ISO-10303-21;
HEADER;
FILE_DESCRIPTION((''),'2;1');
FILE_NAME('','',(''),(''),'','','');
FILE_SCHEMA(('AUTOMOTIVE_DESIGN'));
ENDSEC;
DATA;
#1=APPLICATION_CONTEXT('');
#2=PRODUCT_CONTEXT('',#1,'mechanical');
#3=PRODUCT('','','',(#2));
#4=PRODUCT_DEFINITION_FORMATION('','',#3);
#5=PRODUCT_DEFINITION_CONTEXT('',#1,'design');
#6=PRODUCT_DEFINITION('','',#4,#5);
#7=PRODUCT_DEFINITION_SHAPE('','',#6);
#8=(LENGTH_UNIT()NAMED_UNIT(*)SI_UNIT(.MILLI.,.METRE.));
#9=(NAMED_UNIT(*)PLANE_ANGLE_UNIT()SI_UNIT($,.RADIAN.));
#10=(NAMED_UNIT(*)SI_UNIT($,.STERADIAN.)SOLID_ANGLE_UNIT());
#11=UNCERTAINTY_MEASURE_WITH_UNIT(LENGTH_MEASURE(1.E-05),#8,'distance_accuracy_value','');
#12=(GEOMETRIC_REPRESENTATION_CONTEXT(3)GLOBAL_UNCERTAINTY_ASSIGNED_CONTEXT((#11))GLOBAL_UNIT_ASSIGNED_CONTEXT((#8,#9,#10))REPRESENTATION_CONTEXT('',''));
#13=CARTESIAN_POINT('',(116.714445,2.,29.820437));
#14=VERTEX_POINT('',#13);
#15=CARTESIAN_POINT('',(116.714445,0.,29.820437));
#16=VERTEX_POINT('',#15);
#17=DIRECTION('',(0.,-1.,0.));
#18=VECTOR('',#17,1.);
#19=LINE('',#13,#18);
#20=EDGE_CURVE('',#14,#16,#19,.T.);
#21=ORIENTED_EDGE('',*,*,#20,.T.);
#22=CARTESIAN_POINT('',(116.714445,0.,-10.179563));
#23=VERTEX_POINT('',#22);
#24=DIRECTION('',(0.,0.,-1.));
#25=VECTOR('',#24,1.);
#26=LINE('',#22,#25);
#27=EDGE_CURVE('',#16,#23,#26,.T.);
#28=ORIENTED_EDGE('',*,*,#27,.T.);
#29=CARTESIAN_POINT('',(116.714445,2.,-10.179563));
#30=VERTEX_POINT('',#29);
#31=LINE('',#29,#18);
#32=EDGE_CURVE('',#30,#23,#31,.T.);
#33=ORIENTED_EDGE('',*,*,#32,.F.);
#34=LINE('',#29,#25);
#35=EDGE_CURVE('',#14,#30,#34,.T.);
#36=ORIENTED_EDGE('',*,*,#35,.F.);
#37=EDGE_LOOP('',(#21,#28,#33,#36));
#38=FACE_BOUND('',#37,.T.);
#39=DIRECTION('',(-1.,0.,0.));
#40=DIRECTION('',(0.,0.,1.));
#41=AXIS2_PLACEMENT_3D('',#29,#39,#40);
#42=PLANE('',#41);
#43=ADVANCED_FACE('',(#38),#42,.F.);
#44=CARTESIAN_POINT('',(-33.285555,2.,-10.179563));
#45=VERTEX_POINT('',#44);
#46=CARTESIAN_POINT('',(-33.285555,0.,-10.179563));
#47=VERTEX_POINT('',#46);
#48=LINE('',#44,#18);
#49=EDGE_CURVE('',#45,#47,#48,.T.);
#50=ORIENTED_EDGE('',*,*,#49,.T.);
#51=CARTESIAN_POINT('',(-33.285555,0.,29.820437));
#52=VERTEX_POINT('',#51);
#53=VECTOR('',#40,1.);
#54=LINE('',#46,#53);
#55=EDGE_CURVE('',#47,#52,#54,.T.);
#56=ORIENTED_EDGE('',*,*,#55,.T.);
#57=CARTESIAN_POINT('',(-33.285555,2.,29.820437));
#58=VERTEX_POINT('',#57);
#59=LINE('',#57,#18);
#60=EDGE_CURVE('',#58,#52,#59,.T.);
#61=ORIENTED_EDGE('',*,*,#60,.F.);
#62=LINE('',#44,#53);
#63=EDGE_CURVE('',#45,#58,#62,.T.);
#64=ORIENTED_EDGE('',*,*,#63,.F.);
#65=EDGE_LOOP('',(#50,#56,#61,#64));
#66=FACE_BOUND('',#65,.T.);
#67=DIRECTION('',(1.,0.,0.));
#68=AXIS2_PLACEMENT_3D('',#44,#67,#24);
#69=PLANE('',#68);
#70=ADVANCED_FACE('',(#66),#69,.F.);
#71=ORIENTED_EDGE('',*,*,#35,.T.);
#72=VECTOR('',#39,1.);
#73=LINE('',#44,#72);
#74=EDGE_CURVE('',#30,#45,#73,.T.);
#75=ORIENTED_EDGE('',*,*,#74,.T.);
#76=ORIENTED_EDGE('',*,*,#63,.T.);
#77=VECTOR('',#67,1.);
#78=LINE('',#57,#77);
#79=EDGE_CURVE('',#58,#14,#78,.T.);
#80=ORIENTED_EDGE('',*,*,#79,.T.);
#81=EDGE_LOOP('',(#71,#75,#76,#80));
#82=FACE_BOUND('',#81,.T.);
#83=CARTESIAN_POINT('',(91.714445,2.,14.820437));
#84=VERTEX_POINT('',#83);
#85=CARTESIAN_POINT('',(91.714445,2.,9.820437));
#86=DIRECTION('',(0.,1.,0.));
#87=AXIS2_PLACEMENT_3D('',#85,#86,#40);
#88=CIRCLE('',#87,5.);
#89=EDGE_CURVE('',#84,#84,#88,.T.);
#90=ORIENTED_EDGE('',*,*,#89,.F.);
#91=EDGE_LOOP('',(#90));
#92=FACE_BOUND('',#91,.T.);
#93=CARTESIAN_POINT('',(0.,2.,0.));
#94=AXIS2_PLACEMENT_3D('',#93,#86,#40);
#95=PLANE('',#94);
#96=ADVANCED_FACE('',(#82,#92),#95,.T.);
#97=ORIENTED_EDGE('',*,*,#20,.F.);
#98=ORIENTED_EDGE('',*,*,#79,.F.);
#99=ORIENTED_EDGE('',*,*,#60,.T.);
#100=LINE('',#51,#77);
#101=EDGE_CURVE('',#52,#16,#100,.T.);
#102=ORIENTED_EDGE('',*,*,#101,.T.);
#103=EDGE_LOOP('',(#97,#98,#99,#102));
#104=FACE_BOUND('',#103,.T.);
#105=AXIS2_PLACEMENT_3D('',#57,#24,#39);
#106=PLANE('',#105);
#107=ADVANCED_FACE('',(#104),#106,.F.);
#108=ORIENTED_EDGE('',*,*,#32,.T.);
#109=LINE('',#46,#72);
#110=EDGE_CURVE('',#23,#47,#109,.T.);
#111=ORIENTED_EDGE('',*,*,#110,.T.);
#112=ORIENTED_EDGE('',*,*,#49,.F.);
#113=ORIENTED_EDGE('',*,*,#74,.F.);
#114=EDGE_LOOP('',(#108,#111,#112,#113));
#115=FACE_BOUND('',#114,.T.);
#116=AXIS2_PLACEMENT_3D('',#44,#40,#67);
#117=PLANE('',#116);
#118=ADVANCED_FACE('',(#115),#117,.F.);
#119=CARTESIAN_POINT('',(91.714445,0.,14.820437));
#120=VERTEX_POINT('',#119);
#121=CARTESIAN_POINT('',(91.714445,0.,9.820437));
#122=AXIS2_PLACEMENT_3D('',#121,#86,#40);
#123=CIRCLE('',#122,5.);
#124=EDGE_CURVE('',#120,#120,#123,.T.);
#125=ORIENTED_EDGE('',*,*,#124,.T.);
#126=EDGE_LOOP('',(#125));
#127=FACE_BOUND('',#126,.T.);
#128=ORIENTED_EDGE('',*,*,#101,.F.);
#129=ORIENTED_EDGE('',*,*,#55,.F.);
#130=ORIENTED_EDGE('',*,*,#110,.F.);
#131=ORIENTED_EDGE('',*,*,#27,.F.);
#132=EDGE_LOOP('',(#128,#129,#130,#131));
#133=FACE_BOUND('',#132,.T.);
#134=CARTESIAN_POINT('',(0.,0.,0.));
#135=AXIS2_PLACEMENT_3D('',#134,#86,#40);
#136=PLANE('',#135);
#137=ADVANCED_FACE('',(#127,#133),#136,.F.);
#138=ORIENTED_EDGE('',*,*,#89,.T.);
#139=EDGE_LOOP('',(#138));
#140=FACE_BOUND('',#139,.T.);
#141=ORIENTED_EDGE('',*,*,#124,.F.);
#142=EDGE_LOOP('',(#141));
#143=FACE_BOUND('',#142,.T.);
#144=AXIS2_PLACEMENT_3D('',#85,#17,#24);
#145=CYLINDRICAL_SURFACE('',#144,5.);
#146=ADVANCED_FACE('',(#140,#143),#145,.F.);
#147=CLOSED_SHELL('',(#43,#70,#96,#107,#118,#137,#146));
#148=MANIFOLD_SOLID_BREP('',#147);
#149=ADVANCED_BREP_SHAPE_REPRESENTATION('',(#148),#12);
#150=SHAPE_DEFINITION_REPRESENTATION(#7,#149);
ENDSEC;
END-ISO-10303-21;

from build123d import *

# Parameters (mm, degrees)
SKETCH_1_W          = 150
SKETCH_1_H          = 40
EXTRUDE_1_DEPTH     = 2
SKETCH_2_R          = 5
CUT_EXTRUDE_1_DEPTH = 121.480372565


with BuildPart() as part:
    # 草图1 → 凸台-拉伸1 (new body)
    with BuildSketch(Plane(origin=(0, 0, 0), x_dir=(1, 0, 0), z_dir=(0, 1, 0))):
        with Locations((41.714445139, -9.820437106)):
            Rectangle(SKETCH_1_W, SKETCH_1_H)
    extrude(amount=EXTRUDE_1_DEPTH)

    # 草图2 → 切除-拉伸1 (cut, through all)
    with BuildSketch(Plane(origin=(0, 0, 0), x_dir=(1, 0, 0), z_dir=(0, 1, 0))):
        with Locations(Location((91.714445139, -9.820437106, 0), (0, 0, 270))):
            Circle(SKETCH_2_R)
    extrude(amount=CUT_EXTRUDE_1_DEPTH, mode=Mode.SUBTRACT)


solid = part.part
